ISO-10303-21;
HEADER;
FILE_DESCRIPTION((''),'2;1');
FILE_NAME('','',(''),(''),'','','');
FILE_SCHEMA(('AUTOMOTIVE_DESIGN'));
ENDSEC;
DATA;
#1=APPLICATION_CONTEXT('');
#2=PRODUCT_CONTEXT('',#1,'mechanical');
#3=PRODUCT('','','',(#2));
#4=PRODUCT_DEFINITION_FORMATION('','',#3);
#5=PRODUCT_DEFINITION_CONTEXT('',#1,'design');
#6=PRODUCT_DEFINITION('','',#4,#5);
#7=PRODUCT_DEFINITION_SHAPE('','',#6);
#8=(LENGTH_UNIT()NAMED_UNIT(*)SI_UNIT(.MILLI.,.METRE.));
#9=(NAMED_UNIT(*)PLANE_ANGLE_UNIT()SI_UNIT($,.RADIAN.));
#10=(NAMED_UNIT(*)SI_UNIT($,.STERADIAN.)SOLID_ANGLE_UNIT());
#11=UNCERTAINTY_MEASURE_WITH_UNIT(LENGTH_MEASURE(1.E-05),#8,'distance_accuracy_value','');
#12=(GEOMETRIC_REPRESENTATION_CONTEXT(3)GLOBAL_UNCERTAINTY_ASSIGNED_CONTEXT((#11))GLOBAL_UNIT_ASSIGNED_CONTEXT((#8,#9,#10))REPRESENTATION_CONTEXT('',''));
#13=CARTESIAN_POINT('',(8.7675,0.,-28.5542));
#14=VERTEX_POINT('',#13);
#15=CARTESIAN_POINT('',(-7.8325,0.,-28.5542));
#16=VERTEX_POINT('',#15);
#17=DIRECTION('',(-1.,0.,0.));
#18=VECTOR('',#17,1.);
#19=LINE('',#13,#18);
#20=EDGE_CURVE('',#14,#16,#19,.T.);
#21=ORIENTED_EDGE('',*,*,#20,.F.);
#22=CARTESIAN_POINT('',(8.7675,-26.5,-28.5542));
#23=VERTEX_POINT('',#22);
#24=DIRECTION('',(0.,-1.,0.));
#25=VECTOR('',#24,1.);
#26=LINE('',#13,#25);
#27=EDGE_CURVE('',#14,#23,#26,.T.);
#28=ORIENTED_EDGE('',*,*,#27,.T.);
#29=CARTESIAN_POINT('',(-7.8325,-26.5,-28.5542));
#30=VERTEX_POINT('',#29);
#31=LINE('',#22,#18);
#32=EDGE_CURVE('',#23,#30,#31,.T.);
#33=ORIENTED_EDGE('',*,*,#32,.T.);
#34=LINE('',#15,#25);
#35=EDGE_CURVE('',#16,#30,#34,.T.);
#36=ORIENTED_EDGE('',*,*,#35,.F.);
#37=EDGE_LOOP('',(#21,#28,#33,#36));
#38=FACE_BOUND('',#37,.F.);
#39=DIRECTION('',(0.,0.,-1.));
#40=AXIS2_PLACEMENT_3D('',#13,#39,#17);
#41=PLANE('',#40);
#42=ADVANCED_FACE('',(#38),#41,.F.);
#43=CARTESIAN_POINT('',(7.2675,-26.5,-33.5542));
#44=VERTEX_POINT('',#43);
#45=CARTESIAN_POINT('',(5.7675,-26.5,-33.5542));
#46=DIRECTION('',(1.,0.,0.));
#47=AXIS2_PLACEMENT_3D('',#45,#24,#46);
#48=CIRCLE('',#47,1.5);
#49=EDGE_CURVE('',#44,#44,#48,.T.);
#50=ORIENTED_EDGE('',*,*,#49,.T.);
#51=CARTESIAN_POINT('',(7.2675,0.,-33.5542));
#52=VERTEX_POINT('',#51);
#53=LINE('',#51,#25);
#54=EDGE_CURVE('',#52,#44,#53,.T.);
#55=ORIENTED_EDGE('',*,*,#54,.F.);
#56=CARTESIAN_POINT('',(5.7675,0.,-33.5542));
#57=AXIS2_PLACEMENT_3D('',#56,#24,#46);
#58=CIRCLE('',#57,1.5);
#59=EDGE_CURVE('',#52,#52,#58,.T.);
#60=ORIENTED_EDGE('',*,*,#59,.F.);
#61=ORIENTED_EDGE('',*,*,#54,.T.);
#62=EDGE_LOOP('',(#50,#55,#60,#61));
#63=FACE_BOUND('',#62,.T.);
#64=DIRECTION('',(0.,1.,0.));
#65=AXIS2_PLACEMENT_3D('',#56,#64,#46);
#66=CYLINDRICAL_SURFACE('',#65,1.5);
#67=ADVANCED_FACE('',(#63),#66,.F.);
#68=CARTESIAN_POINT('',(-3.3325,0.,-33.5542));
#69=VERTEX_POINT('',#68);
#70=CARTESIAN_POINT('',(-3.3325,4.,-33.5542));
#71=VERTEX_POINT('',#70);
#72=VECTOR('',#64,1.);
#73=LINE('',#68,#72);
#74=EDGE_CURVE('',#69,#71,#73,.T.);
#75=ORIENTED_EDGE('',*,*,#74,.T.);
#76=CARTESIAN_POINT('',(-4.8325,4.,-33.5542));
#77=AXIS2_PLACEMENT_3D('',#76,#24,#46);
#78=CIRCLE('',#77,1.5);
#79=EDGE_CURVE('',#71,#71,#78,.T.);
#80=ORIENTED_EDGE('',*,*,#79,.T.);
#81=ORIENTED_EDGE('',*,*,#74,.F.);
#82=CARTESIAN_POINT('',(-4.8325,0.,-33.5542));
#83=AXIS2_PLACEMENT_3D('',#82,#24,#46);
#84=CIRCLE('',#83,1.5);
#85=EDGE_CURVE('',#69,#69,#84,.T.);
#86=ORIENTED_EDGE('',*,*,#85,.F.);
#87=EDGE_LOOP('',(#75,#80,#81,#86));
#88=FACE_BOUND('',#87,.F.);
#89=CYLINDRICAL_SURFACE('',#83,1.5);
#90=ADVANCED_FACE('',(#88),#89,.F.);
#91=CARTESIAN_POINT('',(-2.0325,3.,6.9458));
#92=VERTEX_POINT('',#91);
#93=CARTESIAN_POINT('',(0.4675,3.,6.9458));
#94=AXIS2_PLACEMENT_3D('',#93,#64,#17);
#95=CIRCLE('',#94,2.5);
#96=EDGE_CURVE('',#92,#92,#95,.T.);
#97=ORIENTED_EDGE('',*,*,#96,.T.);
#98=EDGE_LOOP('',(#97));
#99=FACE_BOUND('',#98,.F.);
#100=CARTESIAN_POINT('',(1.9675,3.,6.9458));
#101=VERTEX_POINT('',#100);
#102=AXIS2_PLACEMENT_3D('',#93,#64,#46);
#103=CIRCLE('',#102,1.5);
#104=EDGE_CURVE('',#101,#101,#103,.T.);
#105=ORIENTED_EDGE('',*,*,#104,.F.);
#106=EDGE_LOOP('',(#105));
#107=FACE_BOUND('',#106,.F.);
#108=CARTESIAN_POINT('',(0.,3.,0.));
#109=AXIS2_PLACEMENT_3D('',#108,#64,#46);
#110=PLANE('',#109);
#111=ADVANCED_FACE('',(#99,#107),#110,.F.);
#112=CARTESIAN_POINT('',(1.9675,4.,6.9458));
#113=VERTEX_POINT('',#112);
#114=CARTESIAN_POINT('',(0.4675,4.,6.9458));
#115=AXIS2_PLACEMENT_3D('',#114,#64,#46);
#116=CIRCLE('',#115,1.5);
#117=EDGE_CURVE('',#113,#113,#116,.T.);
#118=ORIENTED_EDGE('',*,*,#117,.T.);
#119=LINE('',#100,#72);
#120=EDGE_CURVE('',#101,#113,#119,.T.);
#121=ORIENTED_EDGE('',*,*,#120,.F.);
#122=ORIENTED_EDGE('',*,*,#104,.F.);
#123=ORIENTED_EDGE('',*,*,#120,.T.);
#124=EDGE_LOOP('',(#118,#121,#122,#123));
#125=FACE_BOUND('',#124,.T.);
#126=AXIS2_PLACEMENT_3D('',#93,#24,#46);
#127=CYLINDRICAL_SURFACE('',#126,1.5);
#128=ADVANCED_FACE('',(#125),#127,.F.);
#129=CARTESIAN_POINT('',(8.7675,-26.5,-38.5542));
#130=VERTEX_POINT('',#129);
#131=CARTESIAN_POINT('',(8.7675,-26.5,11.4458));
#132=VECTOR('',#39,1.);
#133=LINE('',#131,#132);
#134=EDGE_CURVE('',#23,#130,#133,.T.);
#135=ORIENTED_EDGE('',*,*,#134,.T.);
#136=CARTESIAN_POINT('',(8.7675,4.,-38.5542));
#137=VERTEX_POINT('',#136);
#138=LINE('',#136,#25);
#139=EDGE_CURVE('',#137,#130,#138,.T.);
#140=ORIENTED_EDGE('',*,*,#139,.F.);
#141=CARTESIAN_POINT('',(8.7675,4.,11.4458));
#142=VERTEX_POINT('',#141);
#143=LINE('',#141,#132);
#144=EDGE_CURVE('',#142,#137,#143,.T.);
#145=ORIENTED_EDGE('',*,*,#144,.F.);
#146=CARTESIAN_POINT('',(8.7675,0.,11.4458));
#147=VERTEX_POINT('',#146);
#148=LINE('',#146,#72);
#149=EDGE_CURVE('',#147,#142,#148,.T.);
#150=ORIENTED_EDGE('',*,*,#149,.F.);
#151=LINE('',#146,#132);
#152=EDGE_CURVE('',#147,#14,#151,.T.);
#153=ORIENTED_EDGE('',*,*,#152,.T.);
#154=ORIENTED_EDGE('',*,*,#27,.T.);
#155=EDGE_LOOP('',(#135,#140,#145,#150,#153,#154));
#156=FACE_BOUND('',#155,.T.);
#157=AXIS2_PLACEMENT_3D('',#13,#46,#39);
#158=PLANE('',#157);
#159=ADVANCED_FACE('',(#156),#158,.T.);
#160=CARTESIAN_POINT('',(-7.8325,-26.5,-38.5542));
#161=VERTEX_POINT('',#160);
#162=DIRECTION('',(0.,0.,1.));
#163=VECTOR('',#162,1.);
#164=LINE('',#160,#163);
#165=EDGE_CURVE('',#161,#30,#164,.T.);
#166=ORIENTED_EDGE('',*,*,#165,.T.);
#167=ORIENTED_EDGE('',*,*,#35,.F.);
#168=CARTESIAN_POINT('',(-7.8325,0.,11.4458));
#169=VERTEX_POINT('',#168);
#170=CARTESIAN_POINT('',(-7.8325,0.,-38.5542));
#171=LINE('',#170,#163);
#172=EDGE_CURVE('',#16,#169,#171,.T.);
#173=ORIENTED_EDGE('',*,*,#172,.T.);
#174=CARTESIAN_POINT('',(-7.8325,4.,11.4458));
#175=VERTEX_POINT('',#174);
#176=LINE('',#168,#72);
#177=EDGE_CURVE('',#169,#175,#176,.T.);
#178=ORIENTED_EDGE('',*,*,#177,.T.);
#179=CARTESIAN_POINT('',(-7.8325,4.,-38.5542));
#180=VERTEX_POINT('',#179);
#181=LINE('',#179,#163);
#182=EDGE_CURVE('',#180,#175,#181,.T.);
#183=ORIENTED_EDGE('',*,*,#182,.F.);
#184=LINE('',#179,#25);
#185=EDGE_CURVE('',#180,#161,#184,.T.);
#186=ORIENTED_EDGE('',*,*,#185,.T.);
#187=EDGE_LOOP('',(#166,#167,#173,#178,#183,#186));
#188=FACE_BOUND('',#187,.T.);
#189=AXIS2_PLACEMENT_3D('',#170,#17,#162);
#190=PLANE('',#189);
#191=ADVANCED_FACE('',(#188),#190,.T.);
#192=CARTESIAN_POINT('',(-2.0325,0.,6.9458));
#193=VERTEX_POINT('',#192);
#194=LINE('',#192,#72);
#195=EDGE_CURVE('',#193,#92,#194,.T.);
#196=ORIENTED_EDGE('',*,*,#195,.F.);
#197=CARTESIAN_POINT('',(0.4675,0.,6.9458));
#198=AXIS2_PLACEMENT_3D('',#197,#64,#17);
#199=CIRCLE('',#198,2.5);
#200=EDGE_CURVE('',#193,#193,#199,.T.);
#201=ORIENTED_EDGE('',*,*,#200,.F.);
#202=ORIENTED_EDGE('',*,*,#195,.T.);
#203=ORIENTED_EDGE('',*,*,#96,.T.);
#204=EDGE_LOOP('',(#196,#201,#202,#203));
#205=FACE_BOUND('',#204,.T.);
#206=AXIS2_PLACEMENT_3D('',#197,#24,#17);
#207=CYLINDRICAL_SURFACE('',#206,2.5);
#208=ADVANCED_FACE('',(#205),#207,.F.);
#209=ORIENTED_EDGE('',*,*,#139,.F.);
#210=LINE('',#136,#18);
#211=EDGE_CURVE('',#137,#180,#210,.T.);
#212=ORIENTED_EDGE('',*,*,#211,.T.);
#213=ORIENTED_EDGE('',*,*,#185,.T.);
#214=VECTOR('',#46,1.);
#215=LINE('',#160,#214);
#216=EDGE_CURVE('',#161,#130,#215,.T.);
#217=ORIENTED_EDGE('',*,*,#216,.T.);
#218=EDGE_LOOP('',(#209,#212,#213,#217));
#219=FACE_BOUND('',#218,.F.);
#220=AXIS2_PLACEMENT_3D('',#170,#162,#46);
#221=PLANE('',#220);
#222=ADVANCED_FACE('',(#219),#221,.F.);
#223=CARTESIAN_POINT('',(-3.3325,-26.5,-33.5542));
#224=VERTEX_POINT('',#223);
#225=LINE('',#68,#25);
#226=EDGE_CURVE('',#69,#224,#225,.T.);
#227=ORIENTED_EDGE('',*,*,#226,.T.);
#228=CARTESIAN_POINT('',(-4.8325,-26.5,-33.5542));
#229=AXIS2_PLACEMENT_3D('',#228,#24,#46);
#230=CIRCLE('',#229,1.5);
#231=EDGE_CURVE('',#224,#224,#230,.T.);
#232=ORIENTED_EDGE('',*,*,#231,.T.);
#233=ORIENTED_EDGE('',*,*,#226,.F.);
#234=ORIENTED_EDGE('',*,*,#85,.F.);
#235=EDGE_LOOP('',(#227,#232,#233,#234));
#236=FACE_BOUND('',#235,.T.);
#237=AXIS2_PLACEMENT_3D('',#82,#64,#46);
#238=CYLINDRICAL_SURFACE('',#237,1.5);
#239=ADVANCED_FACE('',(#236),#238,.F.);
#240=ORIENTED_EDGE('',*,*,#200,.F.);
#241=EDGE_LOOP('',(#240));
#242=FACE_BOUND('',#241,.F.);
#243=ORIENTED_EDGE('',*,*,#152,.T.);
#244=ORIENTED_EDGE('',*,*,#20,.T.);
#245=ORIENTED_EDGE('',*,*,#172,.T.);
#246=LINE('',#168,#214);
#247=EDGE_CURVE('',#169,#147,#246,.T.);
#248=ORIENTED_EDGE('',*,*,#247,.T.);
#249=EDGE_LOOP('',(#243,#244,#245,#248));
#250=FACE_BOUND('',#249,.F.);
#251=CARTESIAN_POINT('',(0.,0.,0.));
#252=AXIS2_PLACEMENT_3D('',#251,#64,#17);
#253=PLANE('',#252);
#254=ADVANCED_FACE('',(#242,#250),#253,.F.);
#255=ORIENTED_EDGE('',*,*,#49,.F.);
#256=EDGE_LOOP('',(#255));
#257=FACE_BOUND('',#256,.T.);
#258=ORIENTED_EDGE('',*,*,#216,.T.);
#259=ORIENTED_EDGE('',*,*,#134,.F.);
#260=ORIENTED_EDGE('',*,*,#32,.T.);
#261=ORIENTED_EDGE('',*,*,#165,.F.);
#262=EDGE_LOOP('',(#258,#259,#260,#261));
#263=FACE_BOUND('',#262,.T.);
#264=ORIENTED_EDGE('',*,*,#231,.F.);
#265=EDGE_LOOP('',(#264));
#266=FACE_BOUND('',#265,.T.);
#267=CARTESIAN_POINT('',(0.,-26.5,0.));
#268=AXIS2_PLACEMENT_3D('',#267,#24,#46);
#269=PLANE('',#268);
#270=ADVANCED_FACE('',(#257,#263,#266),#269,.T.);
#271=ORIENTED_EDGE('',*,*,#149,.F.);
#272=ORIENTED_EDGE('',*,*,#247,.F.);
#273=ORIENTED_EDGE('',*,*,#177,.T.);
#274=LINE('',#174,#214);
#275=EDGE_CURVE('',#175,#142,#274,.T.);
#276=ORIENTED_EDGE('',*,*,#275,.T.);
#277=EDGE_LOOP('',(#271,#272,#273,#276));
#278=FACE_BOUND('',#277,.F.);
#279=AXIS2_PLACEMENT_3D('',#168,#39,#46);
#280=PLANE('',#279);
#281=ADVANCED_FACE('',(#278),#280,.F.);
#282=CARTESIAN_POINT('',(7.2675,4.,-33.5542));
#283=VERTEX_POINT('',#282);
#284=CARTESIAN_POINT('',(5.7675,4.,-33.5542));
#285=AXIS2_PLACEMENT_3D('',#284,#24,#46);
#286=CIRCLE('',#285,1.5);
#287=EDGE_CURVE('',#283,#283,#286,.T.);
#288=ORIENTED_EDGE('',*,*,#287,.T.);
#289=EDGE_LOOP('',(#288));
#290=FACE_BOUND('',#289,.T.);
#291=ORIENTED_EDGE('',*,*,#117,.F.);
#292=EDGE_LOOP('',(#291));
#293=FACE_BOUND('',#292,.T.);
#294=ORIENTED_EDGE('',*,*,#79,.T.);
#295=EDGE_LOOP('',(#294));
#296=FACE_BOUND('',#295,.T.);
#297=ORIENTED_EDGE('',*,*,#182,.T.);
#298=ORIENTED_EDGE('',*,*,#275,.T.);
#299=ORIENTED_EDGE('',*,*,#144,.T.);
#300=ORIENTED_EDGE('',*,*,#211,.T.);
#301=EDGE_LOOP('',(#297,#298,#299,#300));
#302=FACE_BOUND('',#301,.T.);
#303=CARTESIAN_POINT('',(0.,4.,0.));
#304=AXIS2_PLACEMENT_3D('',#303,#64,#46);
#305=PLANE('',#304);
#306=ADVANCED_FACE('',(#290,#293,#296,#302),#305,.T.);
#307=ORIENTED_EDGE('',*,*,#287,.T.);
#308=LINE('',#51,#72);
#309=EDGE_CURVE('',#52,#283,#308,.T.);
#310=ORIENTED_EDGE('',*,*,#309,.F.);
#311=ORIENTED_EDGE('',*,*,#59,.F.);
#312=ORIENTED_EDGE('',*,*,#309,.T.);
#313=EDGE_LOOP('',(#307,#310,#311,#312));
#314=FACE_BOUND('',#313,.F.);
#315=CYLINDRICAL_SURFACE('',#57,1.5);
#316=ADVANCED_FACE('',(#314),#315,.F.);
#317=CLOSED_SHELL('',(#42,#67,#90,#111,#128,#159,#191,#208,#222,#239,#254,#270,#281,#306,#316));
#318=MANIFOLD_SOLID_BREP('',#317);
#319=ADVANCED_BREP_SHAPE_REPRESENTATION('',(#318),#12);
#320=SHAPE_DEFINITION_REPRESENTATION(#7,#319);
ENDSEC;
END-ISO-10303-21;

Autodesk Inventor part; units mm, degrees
ref_plane "YZ Plane" through (0, 0, 0) normal (1, 0, 0) x (0, 1, 0)
ref_plane "XZ Plane" through (0, 0, 0) normal (0, 1, 0) x (-1, 0, 0)
ref_plane "XY Plane" through (0, 0, 0) normal (0, 0, 1) x (1, 0, 0)
sketch "スケッチ1" plane through (0, 0, 0) normal (0, 1, 0) x (-1, 0, 0)
  line L0 (7.8325, 11.4458) -> (-8.7675, 11.4458)
  line L1 (-8.7675, 11.4458) -> (-8.7675, -38.5542)
  line L2 (-8.7675, -38.5542) -> (7.8325, -38.5542)
  line L3 (7.8325, -38.5542) -> (7.8325, 11.4458)
  circle A0 centre (-0.4675, 6.9458) radius 2.5
  point P0 (0, 0)
  dimension "d0" = 16.6
  dimension "d1" = 5
  dimension "d2" = 8.3
  dimension "d3" = 8.3
  dimension "d4" = 4.5
  dimension "d5" = 2
  dimension "d6" = 50
extrude "押し出し1" add sketch "スケッチ1" along normal blind 3
sketch "スケッチ2" plane through (0, 3, 0) normal (0, 1, 0) x (1, 0, 0)
  line L0 (-7.8325, 38.5542) -> (-7.8325, -11.4458) projected
  line L1 (8.7675, -11.4458) -> (8.7675, 38.5542) projected
  line L2 (-7.8325, -11.4458) -> (8.7675, -11.4458)
  line L3 (8.7675, -11.4458) -> (8.7675, 38.5542)
  line L4 (8.7675, 38.5542) -> (-7.8325, 38.5542)
  line L5 (-7.8325, 38.5542) -> (-7.8325, -11.4458)
  circle A0 centre (0.4675, -6.9458) radius 1.5
  circle A1 centre (0.4675, -6.9458) radius 2.5 projected
  point P0 (0, 0)
  dimension "d9" = 3
extrude "押し出し2" add sketch "スケッチ2" along normal blind 1 contours L4 L1 L2 L0 | A1
sketch "スケッチ3" plane through (0, 0, 0) normal (0, -1, 0) x (1, 0, 0)
  line L0 (-7.8325, -38.5542) -> (-7.8325, 11.4458) projected
  line L1 (8.7675, 11.4458) -> (8.7675, -38.5542) projected
  line L2 (-7.8325, -38.5542) -> (8.7675, -38.5542)
  line L3 (8.7675, -38.5542) -> (8.7675, -28.5542)
  line L4 (8.7675, -28.5542) -> (-7.8325, -28.5542)
  line L5 (-7.8325, -28.5542) -> (-7.8325, -38.5542)
  circle A0 centre (5.7675, -33.5542) radius 1.5
  circle A1 centre (-4.8325, -33.5542) radius 1.5
  point P0 (0, 0)
  dimension "d12" = 10
  dimension "d13" = 5
  dimension "d14" = 5
  dimension "d15" = 3
  dimension "d16" = 3
  dimension "d17" = 3
  dimension "d18" = 3
extrude "押し出し3" add sketch "スケッチ3" along normal blind 26.5
extrude "押し出し4" cut sketch "スケッチ3" against normal blind 21 contours A0 | A1
properties part number "armpart1"
